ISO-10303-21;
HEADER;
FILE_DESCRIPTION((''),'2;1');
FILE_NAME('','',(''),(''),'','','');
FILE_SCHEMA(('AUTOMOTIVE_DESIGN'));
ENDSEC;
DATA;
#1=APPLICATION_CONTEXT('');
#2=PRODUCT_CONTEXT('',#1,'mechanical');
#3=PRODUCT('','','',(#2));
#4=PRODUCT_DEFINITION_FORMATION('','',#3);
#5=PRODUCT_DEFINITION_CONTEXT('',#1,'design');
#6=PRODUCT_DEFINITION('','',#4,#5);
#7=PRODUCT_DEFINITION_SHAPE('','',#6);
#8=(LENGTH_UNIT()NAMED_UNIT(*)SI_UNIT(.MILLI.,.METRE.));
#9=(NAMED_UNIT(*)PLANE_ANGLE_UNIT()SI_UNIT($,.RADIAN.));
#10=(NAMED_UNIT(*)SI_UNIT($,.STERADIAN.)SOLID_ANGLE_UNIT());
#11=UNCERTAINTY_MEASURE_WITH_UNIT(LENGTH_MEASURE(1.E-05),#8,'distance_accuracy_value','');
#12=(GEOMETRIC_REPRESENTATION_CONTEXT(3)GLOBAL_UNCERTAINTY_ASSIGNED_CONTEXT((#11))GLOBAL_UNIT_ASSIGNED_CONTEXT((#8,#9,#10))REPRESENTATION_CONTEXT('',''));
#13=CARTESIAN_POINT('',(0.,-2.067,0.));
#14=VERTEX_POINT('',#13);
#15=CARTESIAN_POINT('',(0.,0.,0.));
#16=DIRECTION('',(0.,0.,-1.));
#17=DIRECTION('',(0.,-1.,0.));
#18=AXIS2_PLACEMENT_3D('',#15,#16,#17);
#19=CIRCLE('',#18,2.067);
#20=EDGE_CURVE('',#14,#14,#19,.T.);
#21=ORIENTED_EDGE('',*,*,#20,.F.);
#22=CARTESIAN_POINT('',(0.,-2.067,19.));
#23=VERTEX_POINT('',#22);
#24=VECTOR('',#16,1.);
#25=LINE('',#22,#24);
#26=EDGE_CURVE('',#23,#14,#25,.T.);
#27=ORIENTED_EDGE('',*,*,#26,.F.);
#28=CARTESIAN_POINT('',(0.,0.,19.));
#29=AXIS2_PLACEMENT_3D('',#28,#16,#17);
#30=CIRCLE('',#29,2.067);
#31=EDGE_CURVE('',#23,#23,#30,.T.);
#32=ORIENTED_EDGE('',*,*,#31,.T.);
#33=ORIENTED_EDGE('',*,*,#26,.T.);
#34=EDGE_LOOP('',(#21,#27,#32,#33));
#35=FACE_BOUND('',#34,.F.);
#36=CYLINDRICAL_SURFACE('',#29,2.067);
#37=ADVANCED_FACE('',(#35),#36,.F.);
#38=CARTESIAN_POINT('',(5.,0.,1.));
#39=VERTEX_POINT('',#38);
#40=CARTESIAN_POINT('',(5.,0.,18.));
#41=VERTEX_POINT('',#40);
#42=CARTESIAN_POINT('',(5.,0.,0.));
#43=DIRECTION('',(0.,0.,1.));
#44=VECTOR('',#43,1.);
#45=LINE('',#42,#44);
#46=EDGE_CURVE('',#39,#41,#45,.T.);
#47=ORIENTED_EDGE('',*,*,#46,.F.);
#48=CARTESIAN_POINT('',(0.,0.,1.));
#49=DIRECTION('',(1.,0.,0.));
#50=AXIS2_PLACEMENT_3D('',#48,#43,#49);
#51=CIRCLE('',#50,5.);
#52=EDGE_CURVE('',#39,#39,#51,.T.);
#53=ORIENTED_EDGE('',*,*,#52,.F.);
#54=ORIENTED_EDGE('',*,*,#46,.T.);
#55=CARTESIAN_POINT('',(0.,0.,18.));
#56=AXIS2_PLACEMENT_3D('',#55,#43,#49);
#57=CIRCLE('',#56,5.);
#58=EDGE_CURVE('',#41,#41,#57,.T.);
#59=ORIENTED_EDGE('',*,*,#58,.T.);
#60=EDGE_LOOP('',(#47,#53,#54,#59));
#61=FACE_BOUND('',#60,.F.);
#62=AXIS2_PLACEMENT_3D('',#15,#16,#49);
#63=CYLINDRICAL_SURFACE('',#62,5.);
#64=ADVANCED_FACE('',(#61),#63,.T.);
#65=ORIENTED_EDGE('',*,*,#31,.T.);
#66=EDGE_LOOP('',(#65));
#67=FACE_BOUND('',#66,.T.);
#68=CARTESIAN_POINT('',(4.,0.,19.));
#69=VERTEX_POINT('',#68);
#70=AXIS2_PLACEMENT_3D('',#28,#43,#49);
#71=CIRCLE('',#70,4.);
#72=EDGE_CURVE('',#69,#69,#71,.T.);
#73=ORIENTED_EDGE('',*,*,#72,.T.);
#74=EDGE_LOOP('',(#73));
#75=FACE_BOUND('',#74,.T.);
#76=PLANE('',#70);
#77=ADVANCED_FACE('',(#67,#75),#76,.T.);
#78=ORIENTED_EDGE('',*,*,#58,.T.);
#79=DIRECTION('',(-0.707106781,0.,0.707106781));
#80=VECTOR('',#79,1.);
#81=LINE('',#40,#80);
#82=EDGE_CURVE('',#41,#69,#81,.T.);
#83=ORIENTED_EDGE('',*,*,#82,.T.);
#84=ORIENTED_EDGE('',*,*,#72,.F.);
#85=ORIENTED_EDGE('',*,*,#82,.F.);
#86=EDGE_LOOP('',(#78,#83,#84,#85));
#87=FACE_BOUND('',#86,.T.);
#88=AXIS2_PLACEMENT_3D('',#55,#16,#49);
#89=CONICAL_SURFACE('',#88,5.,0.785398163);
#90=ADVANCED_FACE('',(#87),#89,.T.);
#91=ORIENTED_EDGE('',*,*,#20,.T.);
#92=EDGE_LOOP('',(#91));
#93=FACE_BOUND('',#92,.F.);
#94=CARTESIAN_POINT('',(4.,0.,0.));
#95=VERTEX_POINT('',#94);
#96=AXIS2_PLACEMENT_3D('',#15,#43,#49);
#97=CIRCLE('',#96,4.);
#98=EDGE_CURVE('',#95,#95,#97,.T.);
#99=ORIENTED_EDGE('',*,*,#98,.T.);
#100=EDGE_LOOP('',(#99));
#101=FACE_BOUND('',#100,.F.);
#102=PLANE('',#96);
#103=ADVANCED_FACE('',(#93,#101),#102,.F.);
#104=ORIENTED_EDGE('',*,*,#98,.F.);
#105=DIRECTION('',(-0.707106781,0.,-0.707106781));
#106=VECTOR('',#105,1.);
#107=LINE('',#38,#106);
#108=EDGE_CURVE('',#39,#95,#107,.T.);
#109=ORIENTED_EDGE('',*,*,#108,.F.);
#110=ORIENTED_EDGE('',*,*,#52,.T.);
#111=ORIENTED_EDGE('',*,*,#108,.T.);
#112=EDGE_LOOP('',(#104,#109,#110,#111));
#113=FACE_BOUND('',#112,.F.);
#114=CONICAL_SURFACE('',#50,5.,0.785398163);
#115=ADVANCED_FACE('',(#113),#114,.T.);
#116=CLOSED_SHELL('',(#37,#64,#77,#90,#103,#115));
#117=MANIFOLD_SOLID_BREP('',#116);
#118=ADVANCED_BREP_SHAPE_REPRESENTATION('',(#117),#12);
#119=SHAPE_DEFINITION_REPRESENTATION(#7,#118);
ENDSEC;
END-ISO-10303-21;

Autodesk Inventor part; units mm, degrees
ref_plane "YZ Plane" through (0, 0, 0) normal (1, 0, 0) x (0, 1, 0)
ref_plane "XZ Plane" through (0, 0, 0) normal (0, 1, 0) x (-1, 0, 0)
ref_plane "XY Plane" through (0, 0, 0) normal (0, 0, 1) x (1, 0, 0)
sketch "Sketch5" plane through (0, 0, 0) normal (0, 0, 1) x (1, 0, 0)
  circle A0 centre (0, 0) radius 5
  dimension "d8" = 10
extrude "Extrusion5" add sketch "Sketch5" along normal blind 19
hole "Hole2" at (0, 0, 19) direction (0, 0, -1) diameter 4.134 end through all thread size "M5x0.8" class "6H" standard "ANSI Metric M Profile"
chamfer "Chamfer1" distance 1 angle 45 2 edges at (-5, 0, 19) (-5, 0, 0)
properties part number "BC-10026" material "Aço Carbono VC131"
